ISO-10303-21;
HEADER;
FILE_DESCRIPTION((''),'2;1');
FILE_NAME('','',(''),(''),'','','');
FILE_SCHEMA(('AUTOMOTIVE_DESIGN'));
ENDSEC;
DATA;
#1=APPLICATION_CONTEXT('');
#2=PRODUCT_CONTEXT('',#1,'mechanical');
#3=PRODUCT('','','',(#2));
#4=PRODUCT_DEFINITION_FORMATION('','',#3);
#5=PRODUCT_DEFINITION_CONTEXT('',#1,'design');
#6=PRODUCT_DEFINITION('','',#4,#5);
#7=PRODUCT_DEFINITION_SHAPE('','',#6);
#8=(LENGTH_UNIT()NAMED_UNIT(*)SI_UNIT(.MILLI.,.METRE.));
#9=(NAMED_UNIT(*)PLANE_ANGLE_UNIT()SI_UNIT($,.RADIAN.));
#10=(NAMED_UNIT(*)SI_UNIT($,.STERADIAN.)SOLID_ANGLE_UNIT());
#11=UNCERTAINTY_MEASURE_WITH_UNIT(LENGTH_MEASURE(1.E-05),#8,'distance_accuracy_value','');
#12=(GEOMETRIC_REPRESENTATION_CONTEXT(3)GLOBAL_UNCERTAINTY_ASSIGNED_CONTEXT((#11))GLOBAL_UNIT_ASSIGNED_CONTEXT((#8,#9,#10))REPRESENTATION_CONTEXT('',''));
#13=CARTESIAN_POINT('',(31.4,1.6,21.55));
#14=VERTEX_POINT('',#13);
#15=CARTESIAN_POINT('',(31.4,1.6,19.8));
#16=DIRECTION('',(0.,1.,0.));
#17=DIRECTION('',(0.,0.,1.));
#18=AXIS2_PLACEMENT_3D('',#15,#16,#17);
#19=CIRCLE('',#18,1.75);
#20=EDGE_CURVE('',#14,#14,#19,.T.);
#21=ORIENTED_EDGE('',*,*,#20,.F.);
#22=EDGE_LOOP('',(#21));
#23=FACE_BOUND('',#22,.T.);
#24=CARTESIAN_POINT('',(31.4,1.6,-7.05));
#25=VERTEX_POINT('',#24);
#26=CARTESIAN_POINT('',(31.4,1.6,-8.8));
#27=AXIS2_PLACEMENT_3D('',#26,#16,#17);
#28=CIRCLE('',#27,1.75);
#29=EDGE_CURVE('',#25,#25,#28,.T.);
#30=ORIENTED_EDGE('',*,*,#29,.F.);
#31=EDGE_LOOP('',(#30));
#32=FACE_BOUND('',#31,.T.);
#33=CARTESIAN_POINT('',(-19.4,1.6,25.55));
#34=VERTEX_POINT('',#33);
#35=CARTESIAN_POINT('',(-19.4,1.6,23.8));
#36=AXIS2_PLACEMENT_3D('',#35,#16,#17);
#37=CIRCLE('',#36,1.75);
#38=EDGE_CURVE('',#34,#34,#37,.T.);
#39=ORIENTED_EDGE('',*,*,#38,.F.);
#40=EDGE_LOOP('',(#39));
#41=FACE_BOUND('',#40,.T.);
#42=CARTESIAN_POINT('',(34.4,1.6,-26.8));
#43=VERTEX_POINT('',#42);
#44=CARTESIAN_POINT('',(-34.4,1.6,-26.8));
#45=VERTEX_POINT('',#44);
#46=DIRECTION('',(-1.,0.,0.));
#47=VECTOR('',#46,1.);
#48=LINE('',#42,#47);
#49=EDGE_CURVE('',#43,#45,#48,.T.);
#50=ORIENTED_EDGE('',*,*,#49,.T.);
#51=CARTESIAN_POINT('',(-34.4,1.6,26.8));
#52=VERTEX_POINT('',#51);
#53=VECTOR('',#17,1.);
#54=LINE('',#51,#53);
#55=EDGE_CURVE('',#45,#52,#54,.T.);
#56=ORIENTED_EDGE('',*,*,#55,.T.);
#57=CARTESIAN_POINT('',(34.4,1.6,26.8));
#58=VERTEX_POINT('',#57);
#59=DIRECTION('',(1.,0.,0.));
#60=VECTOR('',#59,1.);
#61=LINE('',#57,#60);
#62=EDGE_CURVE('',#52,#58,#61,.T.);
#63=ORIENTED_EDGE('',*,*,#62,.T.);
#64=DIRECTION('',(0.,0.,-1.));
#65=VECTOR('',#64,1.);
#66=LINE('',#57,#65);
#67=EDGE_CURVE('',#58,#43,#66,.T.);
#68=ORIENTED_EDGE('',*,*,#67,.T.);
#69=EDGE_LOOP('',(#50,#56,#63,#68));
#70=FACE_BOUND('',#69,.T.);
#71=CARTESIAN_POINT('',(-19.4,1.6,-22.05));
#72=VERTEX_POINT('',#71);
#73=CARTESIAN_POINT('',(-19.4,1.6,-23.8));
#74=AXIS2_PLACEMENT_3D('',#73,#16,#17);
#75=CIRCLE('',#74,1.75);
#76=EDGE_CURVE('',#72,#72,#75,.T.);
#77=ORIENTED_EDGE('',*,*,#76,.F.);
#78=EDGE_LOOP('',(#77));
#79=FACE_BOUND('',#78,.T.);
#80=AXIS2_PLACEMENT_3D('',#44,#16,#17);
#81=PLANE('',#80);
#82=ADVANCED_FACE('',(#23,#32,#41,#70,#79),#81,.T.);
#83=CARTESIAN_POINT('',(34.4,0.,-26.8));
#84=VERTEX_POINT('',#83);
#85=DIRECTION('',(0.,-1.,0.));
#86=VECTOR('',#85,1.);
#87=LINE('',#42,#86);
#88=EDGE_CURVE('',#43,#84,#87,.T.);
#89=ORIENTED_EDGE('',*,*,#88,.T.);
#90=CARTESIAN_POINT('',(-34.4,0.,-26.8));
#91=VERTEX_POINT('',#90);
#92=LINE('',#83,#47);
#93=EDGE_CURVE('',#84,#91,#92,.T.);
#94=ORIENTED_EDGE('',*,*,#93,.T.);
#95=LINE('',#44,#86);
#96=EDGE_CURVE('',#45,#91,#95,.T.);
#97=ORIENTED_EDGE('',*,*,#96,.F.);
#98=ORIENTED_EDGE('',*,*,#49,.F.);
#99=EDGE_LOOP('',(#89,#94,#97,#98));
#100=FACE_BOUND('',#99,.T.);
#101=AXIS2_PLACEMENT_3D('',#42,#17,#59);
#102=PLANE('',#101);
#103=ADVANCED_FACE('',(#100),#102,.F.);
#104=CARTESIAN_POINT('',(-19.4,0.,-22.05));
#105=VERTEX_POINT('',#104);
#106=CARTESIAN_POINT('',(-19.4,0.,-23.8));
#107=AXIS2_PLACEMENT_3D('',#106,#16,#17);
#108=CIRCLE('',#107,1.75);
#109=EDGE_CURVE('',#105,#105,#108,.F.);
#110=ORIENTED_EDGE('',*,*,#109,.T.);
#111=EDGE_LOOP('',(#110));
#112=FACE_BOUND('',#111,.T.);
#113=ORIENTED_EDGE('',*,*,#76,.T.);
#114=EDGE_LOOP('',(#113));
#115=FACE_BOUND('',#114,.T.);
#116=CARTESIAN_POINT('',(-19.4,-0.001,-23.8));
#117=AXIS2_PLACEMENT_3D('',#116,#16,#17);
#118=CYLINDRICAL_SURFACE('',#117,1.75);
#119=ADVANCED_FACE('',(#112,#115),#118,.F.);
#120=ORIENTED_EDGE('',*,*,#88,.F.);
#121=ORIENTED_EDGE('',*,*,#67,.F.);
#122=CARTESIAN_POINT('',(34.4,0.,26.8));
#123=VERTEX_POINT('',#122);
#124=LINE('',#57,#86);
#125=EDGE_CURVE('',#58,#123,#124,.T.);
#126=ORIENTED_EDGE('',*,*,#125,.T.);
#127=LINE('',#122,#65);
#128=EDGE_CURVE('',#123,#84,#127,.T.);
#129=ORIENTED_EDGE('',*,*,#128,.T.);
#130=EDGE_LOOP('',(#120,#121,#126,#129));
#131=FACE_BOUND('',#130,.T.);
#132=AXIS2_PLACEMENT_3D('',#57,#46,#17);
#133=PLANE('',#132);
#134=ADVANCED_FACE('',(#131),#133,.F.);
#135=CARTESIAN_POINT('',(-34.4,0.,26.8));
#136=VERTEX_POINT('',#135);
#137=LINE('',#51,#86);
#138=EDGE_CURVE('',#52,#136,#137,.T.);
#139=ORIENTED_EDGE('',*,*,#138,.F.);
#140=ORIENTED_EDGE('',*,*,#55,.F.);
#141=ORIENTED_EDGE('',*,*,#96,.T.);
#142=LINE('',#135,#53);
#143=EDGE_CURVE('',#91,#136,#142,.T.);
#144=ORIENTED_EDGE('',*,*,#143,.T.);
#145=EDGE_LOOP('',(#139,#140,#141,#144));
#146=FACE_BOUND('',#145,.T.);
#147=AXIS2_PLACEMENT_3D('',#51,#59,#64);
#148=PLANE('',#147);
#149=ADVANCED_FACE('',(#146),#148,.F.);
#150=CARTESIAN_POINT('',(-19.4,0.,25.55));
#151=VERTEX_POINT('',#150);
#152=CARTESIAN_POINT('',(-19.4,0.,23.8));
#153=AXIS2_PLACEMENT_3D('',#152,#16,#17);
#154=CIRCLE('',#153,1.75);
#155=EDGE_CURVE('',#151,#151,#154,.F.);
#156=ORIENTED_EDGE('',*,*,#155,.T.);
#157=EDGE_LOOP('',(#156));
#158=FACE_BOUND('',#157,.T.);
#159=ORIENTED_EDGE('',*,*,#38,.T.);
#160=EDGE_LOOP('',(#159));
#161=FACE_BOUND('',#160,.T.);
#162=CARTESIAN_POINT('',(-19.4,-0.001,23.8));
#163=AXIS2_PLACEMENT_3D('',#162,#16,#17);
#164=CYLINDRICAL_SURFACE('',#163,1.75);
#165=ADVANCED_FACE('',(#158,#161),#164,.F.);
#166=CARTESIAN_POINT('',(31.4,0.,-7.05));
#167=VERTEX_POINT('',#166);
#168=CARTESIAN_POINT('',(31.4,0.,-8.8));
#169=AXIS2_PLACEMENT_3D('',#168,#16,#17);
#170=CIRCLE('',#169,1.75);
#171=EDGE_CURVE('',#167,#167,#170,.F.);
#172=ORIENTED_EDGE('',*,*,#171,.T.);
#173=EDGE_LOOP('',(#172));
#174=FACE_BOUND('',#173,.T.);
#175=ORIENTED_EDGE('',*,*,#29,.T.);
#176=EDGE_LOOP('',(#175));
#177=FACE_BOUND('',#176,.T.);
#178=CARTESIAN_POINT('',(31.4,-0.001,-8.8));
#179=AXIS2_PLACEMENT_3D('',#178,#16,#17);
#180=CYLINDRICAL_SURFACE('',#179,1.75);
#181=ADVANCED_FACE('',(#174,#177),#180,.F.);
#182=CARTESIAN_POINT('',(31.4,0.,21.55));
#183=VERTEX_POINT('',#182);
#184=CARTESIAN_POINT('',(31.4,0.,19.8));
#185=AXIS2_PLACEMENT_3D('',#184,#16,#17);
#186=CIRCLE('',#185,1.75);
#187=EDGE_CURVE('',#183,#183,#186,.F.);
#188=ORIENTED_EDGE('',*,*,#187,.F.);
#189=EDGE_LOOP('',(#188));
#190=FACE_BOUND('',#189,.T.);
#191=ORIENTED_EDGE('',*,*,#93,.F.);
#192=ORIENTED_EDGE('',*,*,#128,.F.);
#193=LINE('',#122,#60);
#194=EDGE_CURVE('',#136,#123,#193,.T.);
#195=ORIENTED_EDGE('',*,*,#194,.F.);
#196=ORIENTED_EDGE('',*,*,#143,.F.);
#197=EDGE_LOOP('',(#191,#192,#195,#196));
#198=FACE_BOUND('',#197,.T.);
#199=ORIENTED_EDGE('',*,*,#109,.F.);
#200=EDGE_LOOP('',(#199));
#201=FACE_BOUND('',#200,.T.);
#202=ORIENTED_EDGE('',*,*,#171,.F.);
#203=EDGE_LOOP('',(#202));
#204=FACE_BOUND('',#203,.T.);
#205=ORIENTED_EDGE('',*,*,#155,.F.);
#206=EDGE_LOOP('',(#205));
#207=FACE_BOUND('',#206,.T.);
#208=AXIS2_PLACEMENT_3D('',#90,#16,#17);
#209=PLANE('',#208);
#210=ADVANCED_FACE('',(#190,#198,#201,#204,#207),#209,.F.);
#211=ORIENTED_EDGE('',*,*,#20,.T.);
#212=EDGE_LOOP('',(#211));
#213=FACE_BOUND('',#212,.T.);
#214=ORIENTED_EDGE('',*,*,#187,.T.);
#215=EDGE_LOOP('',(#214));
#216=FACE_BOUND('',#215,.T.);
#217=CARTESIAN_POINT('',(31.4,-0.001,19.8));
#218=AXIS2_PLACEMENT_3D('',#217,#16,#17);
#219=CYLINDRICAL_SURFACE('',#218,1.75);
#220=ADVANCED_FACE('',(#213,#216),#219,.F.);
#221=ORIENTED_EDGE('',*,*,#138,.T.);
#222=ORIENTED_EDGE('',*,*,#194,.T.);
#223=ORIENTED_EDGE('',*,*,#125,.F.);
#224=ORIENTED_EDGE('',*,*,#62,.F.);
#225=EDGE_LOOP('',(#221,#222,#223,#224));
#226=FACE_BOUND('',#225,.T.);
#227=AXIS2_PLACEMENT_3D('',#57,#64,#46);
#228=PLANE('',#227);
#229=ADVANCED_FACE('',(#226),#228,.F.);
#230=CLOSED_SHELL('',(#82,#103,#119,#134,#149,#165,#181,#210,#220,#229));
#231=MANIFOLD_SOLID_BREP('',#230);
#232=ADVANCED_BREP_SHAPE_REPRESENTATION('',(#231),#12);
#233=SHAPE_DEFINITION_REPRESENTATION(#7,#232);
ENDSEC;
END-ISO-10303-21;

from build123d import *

# Parameters (mm, degrees)
SKETCH1_W           = 68.8
SKETCH1_H           = 53.6
BOSS_EXTRUDE1_DEPTH = 1.6
CUT_EXTRUDE1_REACH  = 3.6
SKETCH2_R           = 1.75


with BuildPart() as part:
    # Sketch1 → Boss-Extrude1 (new body)
    with BuildSketch(Plane(origin=(0, 0, 0), x_dir=(-1, 0, 0), z_dir=(0, 1, 0))):
        Rectangle(SKETCH1_W, SKETCH1_H)
    extrude(amount=BOSS_EXTRUDE1_DEPTH)

    # Sketch2 → Cut-Extrude1 (cut, up to next)
    with BuildSketch(Plane(origin=(0, 1.6, 0), x_dir=(-1, 0, 0), z_dir=(0, 1, 0)), mode=Mode.PRIVATE) as cut_extrude1_sk1:
        with Locations((19.4, -23.8)):
            Circle(SKETCH2_R)
    cut_extrude1_tool1 = extrude(cut_extrude1_sk1.sketch, amount=-CUT_EXTRUDE1_REACH, mode=Mode.PRIVATE) & part.part
    add(cut_extrude1_tool1.solids().sort_by_distance((-19.4, 1.6, -23.8))[0], mode=Mode.SUBTRACT)
    # Sketch2 → Cut-Extrude1 (cut, up to next)
    with BuildSketch(Plane(origin=(0, 1.6, 0), x_dir=(-1, 0, 0), z_dir=(0, 1, 0)), mode=Mode.PRIVATE) as cut_extrude1_sk2:
        with Locations((19.4, 23.8)):
            Circle(SKETCH2_R)
    cut_extrude1_tool2 = extrude(cut_extrude1_sk2.sketch, amount=-CUT_EXTRUDE1_REACH, mode=Mode.PRIVATE) & part.part
    add(cut_extrude1_tool2.solids().sort_by_distance((-19.4, 1.6, 23.8))[0], mode=Mode.SUBTRACT)
    # Sketch2 → Cut-Extrude1 (cut, up to next)
    with BuildSketch(Plane(origin=(0, 1.6, 0), x_dir=(-1, 0, 0), z_dir=(0, 1, 0)), mode=Mode.PRIVATE) as cut_extrude1_sk3:
        with Locations((-31.4, 19.8)):
            Circle(SKETCH2_R)
    cut_extrude1_tool3 = extrude(cut_extrude1_sk3.sketch, amount=-CUT_EXTRUDE1_REACH, mode=Mode.PRIVATE) & part.part
    add(cut_extrude1_tool3.solids().sort_by_distance((31.4, 1.6, 19.8))[0], mode=Mode.SUBTRACT)
    # Sketch2 → Cut-Extrude1 (cut, up to next)
    with BuildSketch(Plane(origin=(0, 1.6, 0), x_dir=(-1, 0, 0), z_dir=(0, 1, 0)), mode=Mode.PRIVATE) as cut_extrude1_sk4:
        with Locations((-31.4, -8.8)):
            Circle(SKETCH2_R)
    cut_extrude1_tool4 = extrude(cut_extrude1_sk4.sketch, amount=-CUT_EXTRUDE1_REACH, mode=Mode.PRIVATE) & part.part
    add(cut_extrude1_tool4.solids().sort_by_distance((31.4, 1.6, -8.8))[0], mode=Mode.SUBTRACT)


solid = part.part
